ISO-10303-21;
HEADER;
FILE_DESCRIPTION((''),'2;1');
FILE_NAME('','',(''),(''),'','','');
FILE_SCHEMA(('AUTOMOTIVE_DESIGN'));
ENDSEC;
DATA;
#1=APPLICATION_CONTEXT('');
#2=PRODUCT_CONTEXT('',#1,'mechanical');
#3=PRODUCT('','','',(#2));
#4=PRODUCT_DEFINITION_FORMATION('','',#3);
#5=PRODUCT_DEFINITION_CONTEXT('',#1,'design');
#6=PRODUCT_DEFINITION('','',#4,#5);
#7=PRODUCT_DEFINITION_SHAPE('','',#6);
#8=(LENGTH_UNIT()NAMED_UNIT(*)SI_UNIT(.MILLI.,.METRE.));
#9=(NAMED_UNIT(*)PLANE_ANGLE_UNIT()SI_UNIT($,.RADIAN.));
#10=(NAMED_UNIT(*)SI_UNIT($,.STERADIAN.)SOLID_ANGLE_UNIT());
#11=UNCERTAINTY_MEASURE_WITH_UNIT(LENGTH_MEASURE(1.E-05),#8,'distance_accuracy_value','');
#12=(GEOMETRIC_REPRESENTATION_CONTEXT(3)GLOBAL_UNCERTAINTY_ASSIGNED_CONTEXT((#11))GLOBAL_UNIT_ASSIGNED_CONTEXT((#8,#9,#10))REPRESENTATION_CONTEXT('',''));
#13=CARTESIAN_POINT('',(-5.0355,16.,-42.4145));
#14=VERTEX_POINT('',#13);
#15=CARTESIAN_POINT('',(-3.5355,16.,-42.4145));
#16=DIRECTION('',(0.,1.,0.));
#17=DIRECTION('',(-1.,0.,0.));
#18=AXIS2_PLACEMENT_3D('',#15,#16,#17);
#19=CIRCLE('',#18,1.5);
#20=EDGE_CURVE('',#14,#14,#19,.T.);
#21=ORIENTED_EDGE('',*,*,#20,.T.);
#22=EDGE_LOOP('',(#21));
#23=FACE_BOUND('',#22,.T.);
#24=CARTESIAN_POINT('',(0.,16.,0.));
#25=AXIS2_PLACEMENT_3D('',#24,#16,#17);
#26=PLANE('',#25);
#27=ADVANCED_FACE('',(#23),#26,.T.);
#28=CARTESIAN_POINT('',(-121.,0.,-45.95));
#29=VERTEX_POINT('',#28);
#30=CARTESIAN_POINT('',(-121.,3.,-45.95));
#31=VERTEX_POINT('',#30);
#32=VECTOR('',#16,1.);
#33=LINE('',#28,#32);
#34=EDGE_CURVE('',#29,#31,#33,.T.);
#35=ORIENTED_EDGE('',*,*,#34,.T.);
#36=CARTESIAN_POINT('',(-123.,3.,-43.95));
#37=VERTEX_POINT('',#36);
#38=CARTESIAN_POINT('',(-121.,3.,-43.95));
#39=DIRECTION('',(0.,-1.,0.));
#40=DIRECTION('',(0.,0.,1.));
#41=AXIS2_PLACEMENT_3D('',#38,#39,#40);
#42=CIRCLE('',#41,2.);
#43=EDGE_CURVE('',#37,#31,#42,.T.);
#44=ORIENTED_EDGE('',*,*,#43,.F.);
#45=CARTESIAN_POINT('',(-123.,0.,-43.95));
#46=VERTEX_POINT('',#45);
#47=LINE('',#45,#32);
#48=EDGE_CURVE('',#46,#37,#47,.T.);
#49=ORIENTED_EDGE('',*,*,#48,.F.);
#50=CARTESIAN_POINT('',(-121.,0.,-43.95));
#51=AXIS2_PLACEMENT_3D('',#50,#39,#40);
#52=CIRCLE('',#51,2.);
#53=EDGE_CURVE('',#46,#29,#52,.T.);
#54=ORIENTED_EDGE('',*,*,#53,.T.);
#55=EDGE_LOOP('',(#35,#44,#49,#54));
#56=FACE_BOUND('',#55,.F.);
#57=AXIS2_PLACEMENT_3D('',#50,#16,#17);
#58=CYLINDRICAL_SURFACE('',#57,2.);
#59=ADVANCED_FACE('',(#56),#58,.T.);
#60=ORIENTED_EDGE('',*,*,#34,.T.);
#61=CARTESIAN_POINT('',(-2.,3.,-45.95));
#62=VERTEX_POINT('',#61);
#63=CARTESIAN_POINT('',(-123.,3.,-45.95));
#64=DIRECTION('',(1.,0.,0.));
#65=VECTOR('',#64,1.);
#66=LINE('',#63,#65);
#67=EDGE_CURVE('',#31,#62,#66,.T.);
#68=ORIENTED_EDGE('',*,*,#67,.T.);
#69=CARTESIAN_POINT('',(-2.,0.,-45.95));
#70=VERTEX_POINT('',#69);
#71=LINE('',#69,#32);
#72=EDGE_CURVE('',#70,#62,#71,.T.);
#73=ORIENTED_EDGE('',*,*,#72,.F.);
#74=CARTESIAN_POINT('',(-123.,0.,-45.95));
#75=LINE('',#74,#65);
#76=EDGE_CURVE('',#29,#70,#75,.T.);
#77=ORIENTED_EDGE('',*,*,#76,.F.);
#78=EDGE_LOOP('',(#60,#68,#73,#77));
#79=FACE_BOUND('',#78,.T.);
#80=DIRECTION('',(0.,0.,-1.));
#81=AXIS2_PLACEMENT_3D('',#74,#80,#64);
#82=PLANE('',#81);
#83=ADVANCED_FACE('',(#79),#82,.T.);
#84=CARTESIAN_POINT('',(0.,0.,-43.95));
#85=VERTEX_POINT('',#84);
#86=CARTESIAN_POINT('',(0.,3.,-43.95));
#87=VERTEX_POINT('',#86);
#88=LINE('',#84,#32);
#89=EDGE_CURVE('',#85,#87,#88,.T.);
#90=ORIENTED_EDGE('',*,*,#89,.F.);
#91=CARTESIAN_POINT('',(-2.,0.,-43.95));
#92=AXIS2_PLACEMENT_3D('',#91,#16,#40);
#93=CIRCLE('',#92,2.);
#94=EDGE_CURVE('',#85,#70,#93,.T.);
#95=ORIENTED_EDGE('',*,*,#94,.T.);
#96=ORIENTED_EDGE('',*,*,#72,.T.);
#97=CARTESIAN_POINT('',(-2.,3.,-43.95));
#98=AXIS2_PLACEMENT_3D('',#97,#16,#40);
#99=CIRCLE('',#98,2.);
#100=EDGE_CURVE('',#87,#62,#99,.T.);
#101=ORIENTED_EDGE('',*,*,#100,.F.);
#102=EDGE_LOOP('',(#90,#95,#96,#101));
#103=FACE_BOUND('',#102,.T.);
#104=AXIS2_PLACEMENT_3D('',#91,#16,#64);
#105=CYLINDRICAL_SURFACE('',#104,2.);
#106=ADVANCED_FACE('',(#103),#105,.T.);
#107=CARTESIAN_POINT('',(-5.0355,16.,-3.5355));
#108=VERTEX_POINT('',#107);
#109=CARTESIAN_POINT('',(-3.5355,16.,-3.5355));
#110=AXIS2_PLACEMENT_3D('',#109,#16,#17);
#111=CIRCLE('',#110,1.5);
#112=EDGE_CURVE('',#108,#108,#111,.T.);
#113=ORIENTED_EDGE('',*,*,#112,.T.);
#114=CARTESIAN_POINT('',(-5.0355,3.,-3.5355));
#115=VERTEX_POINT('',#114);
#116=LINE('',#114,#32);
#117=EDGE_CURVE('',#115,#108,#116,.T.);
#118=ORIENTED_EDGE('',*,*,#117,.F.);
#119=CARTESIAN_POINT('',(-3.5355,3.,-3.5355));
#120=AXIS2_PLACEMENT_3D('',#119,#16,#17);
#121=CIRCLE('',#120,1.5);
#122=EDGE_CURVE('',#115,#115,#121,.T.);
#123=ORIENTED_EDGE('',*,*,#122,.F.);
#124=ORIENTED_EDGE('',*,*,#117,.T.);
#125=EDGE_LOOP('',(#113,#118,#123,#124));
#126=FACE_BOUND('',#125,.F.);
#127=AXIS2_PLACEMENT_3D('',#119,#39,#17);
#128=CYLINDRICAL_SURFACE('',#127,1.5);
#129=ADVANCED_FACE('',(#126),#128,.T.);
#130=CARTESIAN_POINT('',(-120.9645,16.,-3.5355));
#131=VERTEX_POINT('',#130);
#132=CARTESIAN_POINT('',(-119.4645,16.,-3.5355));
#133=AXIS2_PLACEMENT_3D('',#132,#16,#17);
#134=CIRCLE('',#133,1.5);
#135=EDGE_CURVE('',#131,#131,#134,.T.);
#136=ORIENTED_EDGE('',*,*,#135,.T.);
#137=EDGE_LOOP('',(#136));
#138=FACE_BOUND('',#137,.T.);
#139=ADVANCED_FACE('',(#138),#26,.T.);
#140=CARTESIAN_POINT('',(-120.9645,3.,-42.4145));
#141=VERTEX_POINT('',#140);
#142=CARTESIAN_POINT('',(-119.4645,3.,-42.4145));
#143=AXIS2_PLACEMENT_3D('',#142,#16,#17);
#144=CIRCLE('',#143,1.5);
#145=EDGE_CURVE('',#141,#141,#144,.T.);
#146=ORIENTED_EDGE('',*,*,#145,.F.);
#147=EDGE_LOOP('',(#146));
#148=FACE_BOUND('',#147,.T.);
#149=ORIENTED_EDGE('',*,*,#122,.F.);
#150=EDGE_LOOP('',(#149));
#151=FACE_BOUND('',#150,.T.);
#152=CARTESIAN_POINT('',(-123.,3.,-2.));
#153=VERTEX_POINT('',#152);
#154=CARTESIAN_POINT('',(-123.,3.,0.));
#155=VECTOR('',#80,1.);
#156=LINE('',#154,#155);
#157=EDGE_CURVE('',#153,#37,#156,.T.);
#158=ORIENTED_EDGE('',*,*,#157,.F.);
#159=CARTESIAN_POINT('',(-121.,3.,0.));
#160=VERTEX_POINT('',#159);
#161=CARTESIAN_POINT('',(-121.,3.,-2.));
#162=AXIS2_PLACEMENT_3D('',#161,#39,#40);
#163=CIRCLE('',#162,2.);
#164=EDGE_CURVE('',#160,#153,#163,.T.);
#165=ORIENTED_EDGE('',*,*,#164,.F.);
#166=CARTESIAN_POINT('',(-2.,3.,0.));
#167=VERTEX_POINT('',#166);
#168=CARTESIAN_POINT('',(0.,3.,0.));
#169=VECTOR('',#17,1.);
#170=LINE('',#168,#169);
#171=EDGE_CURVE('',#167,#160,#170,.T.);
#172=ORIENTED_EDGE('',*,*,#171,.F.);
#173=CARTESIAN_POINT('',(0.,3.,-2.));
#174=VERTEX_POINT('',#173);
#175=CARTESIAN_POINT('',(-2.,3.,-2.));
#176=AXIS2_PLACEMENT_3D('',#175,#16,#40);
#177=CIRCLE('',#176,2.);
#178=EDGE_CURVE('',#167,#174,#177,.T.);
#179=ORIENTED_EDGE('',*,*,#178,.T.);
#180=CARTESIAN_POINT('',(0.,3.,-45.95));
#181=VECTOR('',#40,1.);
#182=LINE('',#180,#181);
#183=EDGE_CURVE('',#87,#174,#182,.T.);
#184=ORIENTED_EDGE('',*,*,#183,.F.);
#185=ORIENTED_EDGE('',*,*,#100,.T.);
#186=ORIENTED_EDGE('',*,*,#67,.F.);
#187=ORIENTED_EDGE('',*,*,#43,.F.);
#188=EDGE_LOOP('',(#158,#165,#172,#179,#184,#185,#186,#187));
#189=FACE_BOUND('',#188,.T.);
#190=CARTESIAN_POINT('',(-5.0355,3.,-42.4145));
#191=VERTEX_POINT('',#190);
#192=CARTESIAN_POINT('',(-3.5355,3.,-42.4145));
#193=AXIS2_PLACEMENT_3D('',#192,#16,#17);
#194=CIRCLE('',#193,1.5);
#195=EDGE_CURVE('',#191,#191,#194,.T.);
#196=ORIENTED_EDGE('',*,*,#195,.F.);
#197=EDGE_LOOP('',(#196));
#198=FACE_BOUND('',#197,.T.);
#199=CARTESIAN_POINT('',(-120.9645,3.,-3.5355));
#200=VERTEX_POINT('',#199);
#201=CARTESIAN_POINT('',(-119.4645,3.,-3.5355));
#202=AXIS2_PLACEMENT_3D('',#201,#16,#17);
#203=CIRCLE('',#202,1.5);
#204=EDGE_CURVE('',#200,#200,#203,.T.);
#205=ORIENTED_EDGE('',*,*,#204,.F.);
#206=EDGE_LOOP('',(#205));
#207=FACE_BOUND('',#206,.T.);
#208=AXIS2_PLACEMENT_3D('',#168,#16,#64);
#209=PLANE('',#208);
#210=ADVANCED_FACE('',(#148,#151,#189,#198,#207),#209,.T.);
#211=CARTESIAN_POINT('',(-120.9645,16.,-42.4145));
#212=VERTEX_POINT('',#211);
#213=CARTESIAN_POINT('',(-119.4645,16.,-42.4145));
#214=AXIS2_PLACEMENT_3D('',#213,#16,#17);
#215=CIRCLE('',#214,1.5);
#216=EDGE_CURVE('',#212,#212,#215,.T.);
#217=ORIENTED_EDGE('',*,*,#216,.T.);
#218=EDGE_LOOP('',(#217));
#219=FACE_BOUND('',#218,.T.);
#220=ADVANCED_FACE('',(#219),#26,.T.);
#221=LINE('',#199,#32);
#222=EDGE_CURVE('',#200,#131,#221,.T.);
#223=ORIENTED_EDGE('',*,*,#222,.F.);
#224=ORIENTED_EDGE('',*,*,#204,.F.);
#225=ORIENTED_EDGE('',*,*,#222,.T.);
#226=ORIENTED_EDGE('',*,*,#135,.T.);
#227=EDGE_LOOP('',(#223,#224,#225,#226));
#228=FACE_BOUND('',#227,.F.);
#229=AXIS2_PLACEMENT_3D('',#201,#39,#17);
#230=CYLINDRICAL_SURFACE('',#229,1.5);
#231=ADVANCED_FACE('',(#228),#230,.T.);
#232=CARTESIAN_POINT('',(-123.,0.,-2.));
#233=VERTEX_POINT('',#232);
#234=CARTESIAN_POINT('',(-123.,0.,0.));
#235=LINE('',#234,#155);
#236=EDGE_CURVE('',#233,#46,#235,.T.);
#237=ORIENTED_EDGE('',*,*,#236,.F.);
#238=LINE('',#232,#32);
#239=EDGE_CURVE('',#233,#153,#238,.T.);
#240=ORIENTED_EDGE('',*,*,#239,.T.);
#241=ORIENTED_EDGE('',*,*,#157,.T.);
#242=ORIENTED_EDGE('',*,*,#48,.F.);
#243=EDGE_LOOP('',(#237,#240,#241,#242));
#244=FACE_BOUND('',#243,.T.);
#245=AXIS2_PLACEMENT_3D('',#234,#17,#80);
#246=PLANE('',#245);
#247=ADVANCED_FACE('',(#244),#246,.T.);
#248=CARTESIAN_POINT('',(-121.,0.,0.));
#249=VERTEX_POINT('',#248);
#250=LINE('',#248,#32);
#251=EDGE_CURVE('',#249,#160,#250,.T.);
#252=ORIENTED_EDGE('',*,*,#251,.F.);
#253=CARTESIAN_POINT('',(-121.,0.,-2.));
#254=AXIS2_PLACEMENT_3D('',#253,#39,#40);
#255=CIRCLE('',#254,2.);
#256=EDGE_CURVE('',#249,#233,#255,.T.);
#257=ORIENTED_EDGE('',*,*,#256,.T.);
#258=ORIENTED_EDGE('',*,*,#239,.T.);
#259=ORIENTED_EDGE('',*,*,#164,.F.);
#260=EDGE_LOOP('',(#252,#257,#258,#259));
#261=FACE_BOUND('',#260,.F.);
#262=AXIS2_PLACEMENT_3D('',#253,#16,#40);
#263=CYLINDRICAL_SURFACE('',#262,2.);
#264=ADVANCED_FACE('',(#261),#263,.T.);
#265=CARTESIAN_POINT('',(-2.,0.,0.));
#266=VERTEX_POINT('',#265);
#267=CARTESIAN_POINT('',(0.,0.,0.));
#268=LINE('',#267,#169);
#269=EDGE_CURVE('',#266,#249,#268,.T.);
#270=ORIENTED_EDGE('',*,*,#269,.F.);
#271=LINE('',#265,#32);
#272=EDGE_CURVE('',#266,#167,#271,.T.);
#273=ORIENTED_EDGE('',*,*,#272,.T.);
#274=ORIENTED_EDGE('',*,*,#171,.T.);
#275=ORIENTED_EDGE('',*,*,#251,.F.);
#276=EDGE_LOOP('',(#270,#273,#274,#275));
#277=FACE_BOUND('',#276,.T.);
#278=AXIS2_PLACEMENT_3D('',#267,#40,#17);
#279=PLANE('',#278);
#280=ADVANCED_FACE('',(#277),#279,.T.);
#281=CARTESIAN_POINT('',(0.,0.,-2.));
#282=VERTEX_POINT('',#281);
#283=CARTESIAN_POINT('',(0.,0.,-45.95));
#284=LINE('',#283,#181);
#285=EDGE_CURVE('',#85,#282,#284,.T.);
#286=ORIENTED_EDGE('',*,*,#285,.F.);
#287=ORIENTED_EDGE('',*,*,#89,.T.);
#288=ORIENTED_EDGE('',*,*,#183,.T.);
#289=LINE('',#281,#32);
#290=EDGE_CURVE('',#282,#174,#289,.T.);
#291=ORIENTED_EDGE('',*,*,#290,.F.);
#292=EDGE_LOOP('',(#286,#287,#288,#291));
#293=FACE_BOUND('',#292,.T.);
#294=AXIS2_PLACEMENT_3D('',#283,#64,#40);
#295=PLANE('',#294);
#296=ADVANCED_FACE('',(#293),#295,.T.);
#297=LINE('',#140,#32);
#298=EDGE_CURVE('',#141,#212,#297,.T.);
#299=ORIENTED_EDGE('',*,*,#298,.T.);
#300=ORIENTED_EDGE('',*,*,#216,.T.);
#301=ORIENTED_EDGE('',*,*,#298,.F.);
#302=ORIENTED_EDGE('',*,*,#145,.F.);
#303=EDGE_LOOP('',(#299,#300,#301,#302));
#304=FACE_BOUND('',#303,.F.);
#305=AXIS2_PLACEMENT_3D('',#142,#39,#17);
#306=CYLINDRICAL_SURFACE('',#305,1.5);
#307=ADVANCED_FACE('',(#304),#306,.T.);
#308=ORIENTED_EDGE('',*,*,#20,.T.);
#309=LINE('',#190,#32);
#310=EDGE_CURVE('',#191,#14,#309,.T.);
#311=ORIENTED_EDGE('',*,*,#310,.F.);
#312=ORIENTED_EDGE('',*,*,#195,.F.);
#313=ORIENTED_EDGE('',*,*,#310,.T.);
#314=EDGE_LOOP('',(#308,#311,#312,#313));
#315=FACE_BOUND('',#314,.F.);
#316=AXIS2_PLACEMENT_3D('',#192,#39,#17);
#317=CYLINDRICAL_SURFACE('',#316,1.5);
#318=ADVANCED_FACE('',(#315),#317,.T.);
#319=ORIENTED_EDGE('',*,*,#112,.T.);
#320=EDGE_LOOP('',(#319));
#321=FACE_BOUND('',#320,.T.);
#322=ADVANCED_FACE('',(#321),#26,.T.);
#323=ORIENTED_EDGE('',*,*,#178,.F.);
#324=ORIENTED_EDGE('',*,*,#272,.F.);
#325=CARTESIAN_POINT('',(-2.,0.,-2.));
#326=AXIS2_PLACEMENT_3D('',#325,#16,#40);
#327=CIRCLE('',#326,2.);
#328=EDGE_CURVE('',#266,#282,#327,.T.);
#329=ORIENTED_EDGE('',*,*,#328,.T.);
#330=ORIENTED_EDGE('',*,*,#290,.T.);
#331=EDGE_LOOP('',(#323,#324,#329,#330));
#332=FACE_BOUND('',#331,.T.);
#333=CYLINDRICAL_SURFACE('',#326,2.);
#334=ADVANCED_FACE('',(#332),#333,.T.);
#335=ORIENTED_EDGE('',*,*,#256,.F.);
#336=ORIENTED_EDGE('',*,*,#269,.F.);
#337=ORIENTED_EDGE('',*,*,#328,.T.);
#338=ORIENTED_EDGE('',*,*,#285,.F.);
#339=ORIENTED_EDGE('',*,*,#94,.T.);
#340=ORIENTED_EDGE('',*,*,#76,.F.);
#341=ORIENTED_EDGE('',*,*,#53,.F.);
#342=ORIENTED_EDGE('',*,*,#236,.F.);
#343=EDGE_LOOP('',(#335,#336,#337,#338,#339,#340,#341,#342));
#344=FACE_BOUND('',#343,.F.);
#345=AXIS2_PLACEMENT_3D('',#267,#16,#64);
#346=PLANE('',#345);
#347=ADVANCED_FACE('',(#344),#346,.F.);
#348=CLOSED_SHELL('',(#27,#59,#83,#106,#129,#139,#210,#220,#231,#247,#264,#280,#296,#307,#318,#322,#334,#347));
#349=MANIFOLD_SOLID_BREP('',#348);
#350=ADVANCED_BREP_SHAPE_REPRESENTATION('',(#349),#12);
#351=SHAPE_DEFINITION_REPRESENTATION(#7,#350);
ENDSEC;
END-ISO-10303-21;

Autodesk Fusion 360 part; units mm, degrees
sketch "Sketch1" plane through (0, 0, 0) normal (0, 1, 0) x (1, 0, 0)
  line L0 (0, 0) -> (-123, 0)
  line L1 (-123, 0) -> (-123, 45.95)
  line L2 (-123, 45.95) -> (0, 45.95)
  line L3 (0, 45.95) -> (0, 0)
  dimension "d1" = 123
  dimension "d2" = 45.95
extrude "Extrude1" add sketch "Sketch1" along normal blind 3
sketch "Sketch2" plane through (0, 3, 0) normal (0, 1, 0) x (-1, 0, 0)
  line L0 (0, -45.95) -> (123, -45.95)
  line L1 (123, -45.95) -> (123, 0)
  line L2 (123, 0) -> (0, 0)
  line L3 (0, 0) -> (0, -45.95)
  line L4 (0, 0) -> (5, 0) construction
  line L5 (123, 0) -> (128, 0) construction
  line L6 (123, -45.95) -> (128, -45.95) construction
  line L7 (0, -45.95) -> (5, -45.95) construction
  circle A0 centre (119.4645, -42.4145) radius 1.5
  circle A1 centre (3.5355, -42.4145) radius 1.5
  circle A2 centre (119.4645, -3.5355) radius 1.5
  circle A3 centre (3.5355, -3.5355) radius 1.5
  dimension "d5" = 5
  dimension "d8" = 5
  dimension "d10" = 5
  dimension "d11" = 5
  dimension "d13" = 3
  dimension "d14" = 3
  dimension "d15" = 3
  dimension "d16" = 3
extrude "Extrude2" add sketch "Sketch2" along normal blind 13 contours A0 | A1 | A2 | A3
fillet "Fillet1" radius 2 2 edges at (-123, 1.5, 0) (0, 1.5, 0)
fillet "Fillet2" radius 2 2 edges at (0, 1.5, -45.95) (-123, 1.5, -45.95)
